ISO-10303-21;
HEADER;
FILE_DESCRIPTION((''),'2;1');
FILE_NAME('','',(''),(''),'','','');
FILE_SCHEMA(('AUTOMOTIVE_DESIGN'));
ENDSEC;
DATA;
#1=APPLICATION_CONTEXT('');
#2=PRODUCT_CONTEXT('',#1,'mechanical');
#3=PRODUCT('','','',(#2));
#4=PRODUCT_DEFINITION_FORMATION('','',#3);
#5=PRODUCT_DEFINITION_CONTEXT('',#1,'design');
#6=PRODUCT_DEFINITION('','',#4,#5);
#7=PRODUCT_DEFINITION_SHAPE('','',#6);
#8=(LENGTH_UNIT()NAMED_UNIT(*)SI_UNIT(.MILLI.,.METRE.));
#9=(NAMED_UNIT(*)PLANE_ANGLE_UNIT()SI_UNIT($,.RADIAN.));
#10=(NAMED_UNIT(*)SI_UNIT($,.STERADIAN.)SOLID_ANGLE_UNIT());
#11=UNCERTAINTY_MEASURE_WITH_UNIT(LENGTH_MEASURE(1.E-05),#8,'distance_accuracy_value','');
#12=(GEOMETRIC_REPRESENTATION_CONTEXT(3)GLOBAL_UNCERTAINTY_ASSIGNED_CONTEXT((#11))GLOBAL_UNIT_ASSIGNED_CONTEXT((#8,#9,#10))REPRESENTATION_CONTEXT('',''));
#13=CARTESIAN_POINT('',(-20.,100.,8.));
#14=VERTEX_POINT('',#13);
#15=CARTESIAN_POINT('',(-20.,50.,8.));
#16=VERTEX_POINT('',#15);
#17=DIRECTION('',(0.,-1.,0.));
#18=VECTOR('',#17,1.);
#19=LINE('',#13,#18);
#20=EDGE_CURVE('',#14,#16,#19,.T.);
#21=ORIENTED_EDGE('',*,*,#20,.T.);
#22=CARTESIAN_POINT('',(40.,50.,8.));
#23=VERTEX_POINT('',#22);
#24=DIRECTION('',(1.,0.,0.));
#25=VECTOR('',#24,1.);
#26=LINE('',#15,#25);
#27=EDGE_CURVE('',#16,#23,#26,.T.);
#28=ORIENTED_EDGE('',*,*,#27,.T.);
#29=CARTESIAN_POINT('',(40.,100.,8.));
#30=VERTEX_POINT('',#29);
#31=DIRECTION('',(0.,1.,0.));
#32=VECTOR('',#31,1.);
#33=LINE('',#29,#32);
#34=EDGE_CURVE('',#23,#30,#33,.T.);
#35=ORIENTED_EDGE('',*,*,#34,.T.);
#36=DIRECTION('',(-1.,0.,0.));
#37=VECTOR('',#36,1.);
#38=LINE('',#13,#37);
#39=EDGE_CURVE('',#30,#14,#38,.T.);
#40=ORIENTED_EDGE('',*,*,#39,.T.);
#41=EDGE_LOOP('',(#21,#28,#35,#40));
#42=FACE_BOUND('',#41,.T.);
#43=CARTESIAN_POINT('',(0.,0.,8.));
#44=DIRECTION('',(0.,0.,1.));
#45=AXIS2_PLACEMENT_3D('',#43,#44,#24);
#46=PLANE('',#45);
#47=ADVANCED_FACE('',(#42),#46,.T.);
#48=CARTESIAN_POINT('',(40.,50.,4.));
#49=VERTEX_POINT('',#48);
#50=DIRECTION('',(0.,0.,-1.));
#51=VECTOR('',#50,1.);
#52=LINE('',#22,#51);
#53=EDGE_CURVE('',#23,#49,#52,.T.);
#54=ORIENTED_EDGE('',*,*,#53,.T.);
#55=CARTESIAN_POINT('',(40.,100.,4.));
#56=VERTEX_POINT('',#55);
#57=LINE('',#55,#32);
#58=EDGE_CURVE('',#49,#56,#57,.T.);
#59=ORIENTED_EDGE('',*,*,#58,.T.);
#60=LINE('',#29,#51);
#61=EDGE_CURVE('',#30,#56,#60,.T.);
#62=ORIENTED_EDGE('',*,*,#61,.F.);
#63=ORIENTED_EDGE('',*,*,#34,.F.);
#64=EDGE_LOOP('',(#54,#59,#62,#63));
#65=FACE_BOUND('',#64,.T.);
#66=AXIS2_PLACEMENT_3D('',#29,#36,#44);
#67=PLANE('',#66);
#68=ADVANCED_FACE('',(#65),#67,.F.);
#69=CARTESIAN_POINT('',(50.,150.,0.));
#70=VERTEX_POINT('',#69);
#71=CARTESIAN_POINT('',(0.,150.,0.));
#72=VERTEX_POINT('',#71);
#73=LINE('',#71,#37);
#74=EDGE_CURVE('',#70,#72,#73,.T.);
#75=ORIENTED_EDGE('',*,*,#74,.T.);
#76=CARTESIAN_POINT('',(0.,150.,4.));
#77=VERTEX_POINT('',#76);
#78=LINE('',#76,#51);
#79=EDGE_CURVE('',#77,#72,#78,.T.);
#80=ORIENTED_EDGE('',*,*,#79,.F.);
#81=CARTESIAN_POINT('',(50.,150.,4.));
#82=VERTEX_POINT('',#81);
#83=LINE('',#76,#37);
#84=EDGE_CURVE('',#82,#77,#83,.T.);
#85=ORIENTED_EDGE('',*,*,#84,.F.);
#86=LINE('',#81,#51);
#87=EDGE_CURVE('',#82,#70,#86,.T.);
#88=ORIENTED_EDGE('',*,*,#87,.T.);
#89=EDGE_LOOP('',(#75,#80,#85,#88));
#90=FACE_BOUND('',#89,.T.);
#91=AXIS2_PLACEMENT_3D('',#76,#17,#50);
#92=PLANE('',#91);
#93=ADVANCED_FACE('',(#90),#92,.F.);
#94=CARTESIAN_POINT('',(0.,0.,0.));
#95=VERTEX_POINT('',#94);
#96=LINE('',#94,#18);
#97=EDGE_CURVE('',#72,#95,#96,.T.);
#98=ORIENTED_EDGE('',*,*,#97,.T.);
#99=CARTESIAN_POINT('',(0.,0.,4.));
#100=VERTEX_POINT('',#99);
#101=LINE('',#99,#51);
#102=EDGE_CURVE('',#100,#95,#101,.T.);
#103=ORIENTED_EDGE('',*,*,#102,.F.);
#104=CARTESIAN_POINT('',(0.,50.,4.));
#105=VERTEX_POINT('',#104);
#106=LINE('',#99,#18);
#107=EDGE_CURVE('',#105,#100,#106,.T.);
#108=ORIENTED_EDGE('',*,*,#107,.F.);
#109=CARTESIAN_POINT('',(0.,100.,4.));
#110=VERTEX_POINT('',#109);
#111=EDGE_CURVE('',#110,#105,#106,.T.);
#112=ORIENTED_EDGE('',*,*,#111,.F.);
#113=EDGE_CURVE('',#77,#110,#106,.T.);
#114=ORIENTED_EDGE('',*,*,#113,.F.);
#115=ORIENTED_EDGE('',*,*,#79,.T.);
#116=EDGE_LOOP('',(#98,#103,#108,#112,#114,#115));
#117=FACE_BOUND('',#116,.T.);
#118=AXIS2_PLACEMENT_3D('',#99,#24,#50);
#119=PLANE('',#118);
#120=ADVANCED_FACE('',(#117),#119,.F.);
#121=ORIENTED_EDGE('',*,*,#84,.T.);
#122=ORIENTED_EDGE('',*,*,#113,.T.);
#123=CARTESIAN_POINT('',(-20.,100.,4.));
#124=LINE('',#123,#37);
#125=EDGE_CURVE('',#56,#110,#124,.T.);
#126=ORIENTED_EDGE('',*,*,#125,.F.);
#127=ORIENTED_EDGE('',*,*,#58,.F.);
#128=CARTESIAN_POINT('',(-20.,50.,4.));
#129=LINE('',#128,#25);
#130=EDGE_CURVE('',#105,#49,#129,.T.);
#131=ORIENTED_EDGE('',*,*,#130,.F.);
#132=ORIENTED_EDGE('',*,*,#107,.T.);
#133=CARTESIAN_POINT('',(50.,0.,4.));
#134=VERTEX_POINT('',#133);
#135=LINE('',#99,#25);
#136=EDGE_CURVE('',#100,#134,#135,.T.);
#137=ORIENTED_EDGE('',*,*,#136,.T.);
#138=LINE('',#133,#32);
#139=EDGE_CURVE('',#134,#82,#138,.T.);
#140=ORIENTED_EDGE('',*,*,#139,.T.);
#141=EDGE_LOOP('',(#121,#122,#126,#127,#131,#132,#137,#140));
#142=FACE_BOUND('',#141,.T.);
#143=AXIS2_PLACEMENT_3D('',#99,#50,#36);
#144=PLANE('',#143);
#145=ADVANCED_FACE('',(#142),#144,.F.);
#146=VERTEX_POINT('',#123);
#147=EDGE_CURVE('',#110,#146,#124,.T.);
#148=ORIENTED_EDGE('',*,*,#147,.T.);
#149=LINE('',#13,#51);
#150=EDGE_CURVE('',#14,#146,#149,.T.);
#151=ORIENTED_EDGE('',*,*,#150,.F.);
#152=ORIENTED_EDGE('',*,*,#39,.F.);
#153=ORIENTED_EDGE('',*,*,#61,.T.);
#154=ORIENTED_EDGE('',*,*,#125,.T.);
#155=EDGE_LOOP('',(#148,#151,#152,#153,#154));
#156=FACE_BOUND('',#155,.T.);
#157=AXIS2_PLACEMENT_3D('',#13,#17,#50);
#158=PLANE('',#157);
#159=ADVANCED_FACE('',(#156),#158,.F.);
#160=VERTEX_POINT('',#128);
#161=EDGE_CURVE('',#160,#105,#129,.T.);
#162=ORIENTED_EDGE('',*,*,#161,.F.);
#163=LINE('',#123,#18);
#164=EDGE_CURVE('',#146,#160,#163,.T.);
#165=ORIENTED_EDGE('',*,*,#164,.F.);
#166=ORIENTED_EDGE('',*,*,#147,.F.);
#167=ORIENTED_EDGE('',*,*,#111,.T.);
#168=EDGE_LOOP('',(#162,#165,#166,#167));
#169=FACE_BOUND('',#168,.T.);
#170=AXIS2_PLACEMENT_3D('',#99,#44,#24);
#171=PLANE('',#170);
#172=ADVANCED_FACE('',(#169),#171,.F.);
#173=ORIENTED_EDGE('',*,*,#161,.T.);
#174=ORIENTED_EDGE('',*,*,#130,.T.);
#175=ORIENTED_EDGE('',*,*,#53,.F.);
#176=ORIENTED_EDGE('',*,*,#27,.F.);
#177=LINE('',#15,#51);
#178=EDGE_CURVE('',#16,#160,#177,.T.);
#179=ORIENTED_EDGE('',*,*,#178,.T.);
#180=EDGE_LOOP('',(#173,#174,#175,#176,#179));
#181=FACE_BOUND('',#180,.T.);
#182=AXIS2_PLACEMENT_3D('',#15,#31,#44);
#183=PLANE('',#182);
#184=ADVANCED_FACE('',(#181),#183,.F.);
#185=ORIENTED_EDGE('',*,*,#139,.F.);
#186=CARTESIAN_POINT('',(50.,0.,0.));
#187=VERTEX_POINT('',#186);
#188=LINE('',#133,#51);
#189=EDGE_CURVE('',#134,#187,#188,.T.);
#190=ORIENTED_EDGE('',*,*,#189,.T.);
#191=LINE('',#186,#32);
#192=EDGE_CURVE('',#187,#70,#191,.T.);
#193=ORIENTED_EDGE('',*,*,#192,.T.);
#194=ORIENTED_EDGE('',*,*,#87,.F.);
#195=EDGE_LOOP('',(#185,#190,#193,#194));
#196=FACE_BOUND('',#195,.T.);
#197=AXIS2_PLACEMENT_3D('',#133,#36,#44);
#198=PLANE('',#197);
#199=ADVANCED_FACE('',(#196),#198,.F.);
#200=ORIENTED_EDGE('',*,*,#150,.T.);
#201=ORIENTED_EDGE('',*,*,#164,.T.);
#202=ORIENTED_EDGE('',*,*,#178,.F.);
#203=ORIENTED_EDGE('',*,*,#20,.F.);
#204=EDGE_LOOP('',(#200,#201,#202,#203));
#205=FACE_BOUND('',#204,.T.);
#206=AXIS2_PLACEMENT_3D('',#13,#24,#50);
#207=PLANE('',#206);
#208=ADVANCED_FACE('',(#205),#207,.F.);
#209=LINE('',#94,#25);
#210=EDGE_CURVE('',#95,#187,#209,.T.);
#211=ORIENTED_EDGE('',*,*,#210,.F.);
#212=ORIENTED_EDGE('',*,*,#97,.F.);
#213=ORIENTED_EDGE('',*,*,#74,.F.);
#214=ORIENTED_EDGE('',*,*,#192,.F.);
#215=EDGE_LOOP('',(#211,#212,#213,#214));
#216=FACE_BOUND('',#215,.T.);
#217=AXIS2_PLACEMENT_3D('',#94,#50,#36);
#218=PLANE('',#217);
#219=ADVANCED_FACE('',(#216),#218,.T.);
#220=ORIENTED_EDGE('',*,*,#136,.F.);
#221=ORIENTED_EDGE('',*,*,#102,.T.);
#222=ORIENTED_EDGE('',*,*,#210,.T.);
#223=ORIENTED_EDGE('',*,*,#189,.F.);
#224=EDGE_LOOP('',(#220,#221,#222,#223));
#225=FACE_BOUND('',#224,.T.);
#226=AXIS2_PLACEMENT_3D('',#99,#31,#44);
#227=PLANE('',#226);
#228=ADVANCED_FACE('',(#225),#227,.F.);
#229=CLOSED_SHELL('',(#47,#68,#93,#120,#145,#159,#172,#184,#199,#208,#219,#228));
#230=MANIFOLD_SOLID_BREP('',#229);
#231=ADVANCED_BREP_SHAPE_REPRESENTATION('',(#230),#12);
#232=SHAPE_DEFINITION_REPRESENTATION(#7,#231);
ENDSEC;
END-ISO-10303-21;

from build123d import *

# Parameters (mm, degrees)
SKETCH1_W           = 50
SKETCH1_H           = 150
BOSS_EXTRUDE1_DEPTH = 4
SKETCH2_W           = 60
SKETCH2_H           = 50
BOSS_EXTRUDE2_DEPTH = 4


with BuildPart() as part:
    # Sketch1 → Boss-Extrude1 (new body)
    with BuildSketch(Plane.XY):
        with Locations((25, 75)):
            Rectangle(SKETCH1_W, SKETCH1_H)
    extrude(amount=BOSS_EXTRUDE1_DEPTH)

    # Sketch2 → Boss-Extrude2 (add)
    with BuildSketch(Plane.XY.offset(4)):
        with Locations((10, 75)):
            Rectangle(SKETCH2_W, SKETCH2_H)
    extrude(amount=BOSS_EXTRUDE2_DEPTH)


solid = part.part
